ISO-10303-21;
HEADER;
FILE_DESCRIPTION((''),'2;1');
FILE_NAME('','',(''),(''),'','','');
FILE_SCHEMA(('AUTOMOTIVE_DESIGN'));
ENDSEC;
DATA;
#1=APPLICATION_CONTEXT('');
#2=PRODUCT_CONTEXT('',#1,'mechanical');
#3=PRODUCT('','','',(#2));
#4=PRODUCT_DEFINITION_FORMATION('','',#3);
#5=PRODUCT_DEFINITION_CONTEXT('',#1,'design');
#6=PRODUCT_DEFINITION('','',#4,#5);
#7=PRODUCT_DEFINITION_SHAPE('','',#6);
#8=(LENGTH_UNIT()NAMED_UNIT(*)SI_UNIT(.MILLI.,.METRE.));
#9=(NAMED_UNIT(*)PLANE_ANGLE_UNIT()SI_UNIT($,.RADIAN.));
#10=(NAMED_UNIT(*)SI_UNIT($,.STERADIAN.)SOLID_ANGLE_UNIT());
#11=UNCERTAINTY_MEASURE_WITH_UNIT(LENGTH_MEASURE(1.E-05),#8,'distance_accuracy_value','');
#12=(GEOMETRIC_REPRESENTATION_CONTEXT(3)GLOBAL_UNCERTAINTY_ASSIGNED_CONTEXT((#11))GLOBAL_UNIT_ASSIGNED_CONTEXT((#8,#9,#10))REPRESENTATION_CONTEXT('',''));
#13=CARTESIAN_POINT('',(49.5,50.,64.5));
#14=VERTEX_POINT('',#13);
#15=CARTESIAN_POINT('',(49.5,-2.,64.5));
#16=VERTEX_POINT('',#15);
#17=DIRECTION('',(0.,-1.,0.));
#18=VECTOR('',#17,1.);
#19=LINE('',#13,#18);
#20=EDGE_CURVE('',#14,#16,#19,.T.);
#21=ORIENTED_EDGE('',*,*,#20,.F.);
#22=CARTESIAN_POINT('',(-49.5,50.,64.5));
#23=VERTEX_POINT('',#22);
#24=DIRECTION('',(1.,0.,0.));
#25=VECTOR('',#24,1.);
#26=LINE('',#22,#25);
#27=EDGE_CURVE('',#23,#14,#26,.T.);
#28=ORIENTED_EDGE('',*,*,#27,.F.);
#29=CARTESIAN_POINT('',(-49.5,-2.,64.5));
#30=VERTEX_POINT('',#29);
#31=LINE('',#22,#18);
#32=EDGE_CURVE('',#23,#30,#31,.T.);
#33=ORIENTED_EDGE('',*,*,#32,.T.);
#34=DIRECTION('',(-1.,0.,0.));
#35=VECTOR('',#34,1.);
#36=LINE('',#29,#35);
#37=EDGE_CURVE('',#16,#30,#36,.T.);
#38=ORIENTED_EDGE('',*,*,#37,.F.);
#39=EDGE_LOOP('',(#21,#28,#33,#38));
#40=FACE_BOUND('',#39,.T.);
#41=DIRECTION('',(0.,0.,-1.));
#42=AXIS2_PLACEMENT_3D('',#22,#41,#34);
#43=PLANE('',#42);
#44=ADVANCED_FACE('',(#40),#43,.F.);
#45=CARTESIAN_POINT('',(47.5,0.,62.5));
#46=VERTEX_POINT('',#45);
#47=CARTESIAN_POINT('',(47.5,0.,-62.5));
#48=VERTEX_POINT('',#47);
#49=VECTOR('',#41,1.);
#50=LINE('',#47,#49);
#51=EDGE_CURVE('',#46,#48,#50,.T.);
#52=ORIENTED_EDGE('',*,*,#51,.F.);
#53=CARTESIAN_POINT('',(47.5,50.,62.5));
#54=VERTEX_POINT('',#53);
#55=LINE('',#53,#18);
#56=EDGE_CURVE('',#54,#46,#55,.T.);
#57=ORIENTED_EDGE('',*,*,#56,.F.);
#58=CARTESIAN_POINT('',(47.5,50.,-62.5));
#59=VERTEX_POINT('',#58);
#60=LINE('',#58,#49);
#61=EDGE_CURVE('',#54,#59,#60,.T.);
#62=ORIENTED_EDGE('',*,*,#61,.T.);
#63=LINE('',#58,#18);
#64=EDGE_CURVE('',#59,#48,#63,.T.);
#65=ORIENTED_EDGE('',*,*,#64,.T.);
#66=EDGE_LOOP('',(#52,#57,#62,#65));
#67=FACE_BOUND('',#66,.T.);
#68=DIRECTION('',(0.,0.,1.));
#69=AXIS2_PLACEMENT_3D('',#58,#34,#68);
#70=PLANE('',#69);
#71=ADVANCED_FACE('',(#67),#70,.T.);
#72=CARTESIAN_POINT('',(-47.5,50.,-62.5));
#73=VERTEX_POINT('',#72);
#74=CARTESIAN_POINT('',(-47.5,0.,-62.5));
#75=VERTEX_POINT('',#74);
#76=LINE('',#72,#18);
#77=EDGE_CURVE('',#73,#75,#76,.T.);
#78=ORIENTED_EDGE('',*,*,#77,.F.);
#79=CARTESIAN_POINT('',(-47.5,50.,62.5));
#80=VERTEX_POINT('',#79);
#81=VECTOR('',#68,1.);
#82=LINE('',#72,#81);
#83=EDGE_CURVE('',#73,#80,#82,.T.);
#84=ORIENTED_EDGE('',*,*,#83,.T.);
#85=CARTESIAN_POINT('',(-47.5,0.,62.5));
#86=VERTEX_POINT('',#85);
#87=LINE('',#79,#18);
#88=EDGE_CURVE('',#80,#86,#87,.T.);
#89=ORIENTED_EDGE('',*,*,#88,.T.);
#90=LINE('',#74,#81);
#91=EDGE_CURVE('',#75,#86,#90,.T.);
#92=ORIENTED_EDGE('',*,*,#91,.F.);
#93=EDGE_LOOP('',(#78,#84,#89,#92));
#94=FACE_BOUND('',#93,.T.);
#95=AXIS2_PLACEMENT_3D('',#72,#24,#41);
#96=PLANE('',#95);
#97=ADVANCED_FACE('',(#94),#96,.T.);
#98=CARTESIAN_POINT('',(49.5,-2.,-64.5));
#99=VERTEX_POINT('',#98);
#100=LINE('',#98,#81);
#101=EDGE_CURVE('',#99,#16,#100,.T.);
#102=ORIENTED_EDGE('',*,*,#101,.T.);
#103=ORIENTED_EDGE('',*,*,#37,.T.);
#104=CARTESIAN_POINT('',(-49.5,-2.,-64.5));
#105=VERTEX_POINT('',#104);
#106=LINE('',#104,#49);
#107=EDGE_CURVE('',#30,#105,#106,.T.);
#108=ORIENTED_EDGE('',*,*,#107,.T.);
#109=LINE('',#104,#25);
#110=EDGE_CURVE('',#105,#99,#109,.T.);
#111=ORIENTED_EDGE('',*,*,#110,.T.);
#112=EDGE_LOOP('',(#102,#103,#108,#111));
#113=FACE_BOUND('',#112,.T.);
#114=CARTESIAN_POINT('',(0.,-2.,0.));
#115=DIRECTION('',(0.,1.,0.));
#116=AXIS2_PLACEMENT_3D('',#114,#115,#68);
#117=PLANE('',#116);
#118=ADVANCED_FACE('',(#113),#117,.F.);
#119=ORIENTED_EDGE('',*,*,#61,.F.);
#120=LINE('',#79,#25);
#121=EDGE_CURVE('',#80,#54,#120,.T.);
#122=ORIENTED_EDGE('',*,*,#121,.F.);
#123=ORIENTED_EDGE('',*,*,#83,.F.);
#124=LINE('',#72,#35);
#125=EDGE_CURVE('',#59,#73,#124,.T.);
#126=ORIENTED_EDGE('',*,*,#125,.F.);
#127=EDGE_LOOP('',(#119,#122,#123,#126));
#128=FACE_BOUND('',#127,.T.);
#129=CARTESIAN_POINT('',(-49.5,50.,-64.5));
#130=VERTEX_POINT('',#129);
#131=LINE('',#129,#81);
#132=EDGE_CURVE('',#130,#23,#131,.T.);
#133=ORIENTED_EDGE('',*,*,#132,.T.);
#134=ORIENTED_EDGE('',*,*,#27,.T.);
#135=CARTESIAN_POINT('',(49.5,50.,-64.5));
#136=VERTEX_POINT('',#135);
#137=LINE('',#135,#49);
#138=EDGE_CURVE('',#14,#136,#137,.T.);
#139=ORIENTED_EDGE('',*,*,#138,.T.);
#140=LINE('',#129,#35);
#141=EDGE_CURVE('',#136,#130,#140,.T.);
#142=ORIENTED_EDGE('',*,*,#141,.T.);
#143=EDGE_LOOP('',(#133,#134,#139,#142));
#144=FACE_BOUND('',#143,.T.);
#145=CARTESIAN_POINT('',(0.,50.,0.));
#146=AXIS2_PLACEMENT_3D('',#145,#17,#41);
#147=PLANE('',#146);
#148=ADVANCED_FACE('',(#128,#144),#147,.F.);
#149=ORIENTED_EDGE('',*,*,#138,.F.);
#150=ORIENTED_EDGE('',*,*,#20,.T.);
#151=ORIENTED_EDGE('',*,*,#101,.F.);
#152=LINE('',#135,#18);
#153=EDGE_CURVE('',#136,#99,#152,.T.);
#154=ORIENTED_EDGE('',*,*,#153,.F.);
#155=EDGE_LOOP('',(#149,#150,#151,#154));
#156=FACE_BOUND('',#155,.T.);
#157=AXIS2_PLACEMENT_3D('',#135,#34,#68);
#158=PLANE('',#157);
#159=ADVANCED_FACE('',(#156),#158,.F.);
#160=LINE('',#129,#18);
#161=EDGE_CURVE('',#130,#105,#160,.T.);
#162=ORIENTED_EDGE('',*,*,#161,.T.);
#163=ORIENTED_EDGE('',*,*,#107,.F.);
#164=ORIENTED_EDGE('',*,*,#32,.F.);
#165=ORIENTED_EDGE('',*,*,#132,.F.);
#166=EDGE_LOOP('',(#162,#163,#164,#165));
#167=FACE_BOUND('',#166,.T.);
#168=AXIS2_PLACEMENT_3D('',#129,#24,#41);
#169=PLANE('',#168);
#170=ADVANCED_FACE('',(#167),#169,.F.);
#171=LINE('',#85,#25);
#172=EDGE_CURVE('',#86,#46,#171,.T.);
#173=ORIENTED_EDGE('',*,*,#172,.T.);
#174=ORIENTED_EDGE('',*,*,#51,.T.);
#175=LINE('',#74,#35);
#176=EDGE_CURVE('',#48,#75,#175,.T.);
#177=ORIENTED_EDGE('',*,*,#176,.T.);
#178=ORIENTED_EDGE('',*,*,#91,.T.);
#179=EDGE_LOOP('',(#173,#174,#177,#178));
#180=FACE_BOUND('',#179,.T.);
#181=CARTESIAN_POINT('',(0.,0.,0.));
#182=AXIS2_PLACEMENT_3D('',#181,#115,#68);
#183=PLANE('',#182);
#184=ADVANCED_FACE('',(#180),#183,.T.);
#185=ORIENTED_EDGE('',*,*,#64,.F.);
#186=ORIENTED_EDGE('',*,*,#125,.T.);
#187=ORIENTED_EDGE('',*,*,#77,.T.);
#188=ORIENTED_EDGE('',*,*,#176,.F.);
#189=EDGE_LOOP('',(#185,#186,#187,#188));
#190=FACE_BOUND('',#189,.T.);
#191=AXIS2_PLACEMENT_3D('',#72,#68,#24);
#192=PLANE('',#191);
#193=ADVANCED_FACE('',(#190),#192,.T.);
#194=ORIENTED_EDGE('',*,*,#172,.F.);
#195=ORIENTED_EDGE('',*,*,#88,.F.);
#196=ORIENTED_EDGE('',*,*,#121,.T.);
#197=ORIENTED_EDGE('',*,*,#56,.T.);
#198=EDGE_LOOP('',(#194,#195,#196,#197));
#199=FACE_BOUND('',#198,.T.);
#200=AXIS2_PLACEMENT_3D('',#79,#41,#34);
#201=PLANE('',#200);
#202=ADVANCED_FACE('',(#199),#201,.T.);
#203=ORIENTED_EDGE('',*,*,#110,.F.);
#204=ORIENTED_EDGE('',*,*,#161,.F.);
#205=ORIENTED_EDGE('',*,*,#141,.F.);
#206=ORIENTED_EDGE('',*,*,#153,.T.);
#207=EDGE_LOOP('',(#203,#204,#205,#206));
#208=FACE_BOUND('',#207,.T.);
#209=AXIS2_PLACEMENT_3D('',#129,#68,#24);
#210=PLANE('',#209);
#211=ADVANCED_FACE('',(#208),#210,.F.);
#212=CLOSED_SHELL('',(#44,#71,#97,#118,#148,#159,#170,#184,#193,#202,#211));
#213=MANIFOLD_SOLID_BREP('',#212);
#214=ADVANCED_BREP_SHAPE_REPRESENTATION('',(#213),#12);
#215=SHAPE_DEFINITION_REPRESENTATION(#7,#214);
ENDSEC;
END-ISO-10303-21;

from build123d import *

# Parameters (mm, degrees)
SKETCH2_W   = 99
SKETCH2_H   = 129
SKETCH2_W_2 = 95
SKETCH2_H_2 = 125
WALLS_DEPTH = 50
SKETCH3_W   = 99
SKETCH3_H   = 129
BASE_DEPTH  = 2


with BuildPart() as part:
    # Sketch2 → Walls (new body)
    with BuildSketch(Plane(origin=(0, 0, 0), x_dir=(1, 0, 0), z_dir=(0, 1, 0))):
        Rectangle(SKETCH2_W, SKETCH2_H)
        Rectangle(SKETCH2_W_2, SKETCH2_H_2, mode=Mode.SUBTRACT)
    extrude(amount=WALLS_DEPTH)

    # Sketch3 → Base (add)
    with BuildSketch(Plane.XZ):
        Rectangle(SKETCH3_W, SKETCH3_H)
    extrude(amount=BASE_DEPTH)


solid = part.part
